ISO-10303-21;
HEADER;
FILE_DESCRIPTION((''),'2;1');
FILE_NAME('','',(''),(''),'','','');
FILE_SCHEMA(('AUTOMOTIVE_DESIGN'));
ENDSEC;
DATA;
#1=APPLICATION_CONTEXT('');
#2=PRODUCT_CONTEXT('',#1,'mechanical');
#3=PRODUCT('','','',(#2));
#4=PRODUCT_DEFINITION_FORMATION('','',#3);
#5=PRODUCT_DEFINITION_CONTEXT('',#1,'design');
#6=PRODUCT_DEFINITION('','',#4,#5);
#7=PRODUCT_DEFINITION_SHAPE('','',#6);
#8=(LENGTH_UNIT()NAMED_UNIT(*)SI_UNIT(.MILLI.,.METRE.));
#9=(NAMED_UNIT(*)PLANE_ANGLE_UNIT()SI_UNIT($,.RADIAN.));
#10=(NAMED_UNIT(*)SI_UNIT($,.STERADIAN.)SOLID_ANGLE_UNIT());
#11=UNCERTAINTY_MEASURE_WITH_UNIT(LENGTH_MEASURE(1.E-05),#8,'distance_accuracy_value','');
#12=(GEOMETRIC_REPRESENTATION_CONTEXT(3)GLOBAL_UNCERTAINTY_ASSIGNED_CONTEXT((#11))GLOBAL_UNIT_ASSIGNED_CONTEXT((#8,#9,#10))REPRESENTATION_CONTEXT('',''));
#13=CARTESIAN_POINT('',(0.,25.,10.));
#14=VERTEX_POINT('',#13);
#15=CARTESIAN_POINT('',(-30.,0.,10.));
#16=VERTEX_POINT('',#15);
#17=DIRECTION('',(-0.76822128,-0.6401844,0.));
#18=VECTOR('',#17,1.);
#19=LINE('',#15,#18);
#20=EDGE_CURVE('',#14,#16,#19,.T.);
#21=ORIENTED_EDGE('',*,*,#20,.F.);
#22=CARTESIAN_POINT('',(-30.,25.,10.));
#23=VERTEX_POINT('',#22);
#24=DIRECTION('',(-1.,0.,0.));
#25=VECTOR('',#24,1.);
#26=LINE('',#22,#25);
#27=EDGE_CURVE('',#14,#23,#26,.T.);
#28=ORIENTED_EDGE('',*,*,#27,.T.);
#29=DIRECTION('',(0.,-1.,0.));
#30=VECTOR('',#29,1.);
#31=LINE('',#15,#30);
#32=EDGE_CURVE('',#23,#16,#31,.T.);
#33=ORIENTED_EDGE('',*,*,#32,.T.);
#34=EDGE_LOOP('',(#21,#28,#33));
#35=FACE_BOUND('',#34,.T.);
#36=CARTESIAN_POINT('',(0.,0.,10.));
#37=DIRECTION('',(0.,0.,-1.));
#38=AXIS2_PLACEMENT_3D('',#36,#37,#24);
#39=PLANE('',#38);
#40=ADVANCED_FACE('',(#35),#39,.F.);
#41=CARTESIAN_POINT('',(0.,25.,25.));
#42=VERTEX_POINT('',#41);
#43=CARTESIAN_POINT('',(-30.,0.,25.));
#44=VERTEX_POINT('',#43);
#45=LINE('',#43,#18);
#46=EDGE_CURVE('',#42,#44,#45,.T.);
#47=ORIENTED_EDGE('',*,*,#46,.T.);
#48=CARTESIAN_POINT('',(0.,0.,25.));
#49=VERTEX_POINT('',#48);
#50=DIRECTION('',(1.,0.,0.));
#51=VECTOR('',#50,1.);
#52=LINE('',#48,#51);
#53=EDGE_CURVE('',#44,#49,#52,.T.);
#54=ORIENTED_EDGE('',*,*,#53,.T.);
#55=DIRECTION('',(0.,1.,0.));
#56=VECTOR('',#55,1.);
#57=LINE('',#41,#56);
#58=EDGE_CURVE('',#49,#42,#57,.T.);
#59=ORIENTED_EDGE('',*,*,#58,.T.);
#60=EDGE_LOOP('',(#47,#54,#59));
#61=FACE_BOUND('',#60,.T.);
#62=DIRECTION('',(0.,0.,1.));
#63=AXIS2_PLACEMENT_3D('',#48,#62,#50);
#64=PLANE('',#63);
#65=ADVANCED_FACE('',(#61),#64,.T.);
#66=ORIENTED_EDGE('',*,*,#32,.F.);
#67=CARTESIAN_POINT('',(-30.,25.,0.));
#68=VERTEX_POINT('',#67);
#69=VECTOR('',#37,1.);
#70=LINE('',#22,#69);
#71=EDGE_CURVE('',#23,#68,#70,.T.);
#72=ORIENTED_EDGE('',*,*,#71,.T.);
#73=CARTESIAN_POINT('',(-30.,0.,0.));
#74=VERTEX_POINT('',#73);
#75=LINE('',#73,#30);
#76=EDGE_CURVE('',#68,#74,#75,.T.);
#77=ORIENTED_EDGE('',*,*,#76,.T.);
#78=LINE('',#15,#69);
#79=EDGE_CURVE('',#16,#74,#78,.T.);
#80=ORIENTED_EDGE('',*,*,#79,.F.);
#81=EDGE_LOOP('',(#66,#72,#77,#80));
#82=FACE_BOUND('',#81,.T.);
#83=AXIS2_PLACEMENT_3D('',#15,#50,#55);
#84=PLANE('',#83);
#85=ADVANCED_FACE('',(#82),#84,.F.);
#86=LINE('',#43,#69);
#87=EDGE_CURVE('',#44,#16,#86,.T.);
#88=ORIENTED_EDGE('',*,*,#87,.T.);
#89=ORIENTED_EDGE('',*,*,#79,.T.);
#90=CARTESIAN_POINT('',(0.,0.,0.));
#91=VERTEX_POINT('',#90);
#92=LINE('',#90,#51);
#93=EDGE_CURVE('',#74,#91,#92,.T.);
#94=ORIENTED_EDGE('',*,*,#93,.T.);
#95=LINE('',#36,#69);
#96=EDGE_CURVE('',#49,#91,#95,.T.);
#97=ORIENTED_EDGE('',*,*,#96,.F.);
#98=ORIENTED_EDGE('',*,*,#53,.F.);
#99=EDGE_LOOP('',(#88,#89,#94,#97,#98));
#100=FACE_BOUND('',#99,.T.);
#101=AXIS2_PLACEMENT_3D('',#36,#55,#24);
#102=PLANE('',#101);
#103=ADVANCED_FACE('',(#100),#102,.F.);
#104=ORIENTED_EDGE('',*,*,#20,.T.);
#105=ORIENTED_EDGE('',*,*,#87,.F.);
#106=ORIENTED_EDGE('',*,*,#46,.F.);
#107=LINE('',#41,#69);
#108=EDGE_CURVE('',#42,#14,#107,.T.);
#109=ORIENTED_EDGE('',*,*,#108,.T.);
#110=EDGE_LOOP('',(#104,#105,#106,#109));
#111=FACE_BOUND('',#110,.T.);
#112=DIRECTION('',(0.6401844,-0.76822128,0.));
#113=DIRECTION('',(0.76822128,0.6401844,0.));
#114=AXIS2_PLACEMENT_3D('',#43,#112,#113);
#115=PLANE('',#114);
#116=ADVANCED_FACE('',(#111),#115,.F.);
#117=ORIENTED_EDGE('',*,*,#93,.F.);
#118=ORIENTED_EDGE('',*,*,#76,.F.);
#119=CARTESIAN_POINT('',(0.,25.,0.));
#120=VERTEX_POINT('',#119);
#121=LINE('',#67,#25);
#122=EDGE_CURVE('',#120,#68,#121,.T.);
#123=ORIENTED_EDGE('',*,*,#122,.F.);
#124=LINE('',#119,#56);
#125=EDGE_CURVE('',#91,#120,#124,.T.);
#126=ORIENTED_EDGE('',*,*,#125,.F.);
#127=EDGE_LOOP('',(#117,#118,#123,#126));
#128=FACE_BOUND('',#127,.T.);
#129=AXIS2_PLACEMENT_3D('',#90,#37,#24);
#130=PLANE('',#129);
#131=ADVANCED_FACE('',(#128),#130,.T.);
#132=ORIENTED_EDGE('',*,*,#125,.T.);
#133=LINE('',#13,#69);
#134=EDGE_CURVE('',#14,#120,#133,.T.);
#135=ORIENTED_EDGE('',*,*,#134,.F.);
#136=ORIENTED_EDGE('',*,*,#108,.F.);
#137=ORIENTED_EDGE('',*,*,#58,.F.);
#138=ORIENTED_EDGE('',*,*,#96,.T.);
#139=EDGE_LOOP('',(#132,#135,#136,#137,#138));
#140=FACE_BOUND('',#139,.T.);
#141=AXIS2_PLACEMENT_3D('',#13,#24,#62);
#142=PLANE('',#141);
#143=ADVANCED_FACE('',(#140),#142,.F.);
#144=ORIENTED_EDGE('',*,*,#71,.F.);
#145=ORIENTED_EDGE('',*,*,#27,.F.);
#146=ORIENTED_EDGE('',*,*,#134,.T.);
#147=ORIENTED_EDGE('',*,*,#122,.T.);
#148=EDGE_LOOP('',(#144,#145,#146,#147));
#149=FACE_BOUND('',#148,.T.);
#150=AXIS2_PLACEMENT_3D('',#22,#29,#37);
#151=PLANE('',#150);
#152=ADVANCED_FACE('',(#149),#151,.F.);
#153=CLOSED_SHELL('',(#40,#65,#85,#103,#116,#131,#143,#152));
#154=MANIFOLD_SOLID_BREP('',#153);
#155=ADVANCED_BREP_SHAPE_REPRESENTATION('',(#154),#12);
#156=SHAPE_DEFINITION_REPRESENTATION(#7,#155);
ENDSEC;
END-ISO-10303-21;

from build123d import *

# Parameters (mm, degrees)
SKETCH1_W           = 30
SKETCH1_H           = 25
BOSS_EXTRUDE1_DEPTH = 10
BOSS_EXTRUDE2_DEPTH = 15


with BuildPart() as part:
    # Sketch1 → Boss-Extrude1 (new body)
    with BuildSketch(Plane.XY):
        with Locations((-15, 12.5)):
            Rectangle(SKETCH1_W, SKETCH1_H)
    extrude(amount=BOSS_EXTRUDE1_DEPTH)

    # Sketch2 → Boss-Extrude2 (add)
    with BuildSketch(Plane.XY.offset(10)):
        Polygon((-30, 0), (0, 25), (0, 0), align=None)
    extrude(amount=BOSS_EXTRUDE2_DEPTH)


solid = part.part
